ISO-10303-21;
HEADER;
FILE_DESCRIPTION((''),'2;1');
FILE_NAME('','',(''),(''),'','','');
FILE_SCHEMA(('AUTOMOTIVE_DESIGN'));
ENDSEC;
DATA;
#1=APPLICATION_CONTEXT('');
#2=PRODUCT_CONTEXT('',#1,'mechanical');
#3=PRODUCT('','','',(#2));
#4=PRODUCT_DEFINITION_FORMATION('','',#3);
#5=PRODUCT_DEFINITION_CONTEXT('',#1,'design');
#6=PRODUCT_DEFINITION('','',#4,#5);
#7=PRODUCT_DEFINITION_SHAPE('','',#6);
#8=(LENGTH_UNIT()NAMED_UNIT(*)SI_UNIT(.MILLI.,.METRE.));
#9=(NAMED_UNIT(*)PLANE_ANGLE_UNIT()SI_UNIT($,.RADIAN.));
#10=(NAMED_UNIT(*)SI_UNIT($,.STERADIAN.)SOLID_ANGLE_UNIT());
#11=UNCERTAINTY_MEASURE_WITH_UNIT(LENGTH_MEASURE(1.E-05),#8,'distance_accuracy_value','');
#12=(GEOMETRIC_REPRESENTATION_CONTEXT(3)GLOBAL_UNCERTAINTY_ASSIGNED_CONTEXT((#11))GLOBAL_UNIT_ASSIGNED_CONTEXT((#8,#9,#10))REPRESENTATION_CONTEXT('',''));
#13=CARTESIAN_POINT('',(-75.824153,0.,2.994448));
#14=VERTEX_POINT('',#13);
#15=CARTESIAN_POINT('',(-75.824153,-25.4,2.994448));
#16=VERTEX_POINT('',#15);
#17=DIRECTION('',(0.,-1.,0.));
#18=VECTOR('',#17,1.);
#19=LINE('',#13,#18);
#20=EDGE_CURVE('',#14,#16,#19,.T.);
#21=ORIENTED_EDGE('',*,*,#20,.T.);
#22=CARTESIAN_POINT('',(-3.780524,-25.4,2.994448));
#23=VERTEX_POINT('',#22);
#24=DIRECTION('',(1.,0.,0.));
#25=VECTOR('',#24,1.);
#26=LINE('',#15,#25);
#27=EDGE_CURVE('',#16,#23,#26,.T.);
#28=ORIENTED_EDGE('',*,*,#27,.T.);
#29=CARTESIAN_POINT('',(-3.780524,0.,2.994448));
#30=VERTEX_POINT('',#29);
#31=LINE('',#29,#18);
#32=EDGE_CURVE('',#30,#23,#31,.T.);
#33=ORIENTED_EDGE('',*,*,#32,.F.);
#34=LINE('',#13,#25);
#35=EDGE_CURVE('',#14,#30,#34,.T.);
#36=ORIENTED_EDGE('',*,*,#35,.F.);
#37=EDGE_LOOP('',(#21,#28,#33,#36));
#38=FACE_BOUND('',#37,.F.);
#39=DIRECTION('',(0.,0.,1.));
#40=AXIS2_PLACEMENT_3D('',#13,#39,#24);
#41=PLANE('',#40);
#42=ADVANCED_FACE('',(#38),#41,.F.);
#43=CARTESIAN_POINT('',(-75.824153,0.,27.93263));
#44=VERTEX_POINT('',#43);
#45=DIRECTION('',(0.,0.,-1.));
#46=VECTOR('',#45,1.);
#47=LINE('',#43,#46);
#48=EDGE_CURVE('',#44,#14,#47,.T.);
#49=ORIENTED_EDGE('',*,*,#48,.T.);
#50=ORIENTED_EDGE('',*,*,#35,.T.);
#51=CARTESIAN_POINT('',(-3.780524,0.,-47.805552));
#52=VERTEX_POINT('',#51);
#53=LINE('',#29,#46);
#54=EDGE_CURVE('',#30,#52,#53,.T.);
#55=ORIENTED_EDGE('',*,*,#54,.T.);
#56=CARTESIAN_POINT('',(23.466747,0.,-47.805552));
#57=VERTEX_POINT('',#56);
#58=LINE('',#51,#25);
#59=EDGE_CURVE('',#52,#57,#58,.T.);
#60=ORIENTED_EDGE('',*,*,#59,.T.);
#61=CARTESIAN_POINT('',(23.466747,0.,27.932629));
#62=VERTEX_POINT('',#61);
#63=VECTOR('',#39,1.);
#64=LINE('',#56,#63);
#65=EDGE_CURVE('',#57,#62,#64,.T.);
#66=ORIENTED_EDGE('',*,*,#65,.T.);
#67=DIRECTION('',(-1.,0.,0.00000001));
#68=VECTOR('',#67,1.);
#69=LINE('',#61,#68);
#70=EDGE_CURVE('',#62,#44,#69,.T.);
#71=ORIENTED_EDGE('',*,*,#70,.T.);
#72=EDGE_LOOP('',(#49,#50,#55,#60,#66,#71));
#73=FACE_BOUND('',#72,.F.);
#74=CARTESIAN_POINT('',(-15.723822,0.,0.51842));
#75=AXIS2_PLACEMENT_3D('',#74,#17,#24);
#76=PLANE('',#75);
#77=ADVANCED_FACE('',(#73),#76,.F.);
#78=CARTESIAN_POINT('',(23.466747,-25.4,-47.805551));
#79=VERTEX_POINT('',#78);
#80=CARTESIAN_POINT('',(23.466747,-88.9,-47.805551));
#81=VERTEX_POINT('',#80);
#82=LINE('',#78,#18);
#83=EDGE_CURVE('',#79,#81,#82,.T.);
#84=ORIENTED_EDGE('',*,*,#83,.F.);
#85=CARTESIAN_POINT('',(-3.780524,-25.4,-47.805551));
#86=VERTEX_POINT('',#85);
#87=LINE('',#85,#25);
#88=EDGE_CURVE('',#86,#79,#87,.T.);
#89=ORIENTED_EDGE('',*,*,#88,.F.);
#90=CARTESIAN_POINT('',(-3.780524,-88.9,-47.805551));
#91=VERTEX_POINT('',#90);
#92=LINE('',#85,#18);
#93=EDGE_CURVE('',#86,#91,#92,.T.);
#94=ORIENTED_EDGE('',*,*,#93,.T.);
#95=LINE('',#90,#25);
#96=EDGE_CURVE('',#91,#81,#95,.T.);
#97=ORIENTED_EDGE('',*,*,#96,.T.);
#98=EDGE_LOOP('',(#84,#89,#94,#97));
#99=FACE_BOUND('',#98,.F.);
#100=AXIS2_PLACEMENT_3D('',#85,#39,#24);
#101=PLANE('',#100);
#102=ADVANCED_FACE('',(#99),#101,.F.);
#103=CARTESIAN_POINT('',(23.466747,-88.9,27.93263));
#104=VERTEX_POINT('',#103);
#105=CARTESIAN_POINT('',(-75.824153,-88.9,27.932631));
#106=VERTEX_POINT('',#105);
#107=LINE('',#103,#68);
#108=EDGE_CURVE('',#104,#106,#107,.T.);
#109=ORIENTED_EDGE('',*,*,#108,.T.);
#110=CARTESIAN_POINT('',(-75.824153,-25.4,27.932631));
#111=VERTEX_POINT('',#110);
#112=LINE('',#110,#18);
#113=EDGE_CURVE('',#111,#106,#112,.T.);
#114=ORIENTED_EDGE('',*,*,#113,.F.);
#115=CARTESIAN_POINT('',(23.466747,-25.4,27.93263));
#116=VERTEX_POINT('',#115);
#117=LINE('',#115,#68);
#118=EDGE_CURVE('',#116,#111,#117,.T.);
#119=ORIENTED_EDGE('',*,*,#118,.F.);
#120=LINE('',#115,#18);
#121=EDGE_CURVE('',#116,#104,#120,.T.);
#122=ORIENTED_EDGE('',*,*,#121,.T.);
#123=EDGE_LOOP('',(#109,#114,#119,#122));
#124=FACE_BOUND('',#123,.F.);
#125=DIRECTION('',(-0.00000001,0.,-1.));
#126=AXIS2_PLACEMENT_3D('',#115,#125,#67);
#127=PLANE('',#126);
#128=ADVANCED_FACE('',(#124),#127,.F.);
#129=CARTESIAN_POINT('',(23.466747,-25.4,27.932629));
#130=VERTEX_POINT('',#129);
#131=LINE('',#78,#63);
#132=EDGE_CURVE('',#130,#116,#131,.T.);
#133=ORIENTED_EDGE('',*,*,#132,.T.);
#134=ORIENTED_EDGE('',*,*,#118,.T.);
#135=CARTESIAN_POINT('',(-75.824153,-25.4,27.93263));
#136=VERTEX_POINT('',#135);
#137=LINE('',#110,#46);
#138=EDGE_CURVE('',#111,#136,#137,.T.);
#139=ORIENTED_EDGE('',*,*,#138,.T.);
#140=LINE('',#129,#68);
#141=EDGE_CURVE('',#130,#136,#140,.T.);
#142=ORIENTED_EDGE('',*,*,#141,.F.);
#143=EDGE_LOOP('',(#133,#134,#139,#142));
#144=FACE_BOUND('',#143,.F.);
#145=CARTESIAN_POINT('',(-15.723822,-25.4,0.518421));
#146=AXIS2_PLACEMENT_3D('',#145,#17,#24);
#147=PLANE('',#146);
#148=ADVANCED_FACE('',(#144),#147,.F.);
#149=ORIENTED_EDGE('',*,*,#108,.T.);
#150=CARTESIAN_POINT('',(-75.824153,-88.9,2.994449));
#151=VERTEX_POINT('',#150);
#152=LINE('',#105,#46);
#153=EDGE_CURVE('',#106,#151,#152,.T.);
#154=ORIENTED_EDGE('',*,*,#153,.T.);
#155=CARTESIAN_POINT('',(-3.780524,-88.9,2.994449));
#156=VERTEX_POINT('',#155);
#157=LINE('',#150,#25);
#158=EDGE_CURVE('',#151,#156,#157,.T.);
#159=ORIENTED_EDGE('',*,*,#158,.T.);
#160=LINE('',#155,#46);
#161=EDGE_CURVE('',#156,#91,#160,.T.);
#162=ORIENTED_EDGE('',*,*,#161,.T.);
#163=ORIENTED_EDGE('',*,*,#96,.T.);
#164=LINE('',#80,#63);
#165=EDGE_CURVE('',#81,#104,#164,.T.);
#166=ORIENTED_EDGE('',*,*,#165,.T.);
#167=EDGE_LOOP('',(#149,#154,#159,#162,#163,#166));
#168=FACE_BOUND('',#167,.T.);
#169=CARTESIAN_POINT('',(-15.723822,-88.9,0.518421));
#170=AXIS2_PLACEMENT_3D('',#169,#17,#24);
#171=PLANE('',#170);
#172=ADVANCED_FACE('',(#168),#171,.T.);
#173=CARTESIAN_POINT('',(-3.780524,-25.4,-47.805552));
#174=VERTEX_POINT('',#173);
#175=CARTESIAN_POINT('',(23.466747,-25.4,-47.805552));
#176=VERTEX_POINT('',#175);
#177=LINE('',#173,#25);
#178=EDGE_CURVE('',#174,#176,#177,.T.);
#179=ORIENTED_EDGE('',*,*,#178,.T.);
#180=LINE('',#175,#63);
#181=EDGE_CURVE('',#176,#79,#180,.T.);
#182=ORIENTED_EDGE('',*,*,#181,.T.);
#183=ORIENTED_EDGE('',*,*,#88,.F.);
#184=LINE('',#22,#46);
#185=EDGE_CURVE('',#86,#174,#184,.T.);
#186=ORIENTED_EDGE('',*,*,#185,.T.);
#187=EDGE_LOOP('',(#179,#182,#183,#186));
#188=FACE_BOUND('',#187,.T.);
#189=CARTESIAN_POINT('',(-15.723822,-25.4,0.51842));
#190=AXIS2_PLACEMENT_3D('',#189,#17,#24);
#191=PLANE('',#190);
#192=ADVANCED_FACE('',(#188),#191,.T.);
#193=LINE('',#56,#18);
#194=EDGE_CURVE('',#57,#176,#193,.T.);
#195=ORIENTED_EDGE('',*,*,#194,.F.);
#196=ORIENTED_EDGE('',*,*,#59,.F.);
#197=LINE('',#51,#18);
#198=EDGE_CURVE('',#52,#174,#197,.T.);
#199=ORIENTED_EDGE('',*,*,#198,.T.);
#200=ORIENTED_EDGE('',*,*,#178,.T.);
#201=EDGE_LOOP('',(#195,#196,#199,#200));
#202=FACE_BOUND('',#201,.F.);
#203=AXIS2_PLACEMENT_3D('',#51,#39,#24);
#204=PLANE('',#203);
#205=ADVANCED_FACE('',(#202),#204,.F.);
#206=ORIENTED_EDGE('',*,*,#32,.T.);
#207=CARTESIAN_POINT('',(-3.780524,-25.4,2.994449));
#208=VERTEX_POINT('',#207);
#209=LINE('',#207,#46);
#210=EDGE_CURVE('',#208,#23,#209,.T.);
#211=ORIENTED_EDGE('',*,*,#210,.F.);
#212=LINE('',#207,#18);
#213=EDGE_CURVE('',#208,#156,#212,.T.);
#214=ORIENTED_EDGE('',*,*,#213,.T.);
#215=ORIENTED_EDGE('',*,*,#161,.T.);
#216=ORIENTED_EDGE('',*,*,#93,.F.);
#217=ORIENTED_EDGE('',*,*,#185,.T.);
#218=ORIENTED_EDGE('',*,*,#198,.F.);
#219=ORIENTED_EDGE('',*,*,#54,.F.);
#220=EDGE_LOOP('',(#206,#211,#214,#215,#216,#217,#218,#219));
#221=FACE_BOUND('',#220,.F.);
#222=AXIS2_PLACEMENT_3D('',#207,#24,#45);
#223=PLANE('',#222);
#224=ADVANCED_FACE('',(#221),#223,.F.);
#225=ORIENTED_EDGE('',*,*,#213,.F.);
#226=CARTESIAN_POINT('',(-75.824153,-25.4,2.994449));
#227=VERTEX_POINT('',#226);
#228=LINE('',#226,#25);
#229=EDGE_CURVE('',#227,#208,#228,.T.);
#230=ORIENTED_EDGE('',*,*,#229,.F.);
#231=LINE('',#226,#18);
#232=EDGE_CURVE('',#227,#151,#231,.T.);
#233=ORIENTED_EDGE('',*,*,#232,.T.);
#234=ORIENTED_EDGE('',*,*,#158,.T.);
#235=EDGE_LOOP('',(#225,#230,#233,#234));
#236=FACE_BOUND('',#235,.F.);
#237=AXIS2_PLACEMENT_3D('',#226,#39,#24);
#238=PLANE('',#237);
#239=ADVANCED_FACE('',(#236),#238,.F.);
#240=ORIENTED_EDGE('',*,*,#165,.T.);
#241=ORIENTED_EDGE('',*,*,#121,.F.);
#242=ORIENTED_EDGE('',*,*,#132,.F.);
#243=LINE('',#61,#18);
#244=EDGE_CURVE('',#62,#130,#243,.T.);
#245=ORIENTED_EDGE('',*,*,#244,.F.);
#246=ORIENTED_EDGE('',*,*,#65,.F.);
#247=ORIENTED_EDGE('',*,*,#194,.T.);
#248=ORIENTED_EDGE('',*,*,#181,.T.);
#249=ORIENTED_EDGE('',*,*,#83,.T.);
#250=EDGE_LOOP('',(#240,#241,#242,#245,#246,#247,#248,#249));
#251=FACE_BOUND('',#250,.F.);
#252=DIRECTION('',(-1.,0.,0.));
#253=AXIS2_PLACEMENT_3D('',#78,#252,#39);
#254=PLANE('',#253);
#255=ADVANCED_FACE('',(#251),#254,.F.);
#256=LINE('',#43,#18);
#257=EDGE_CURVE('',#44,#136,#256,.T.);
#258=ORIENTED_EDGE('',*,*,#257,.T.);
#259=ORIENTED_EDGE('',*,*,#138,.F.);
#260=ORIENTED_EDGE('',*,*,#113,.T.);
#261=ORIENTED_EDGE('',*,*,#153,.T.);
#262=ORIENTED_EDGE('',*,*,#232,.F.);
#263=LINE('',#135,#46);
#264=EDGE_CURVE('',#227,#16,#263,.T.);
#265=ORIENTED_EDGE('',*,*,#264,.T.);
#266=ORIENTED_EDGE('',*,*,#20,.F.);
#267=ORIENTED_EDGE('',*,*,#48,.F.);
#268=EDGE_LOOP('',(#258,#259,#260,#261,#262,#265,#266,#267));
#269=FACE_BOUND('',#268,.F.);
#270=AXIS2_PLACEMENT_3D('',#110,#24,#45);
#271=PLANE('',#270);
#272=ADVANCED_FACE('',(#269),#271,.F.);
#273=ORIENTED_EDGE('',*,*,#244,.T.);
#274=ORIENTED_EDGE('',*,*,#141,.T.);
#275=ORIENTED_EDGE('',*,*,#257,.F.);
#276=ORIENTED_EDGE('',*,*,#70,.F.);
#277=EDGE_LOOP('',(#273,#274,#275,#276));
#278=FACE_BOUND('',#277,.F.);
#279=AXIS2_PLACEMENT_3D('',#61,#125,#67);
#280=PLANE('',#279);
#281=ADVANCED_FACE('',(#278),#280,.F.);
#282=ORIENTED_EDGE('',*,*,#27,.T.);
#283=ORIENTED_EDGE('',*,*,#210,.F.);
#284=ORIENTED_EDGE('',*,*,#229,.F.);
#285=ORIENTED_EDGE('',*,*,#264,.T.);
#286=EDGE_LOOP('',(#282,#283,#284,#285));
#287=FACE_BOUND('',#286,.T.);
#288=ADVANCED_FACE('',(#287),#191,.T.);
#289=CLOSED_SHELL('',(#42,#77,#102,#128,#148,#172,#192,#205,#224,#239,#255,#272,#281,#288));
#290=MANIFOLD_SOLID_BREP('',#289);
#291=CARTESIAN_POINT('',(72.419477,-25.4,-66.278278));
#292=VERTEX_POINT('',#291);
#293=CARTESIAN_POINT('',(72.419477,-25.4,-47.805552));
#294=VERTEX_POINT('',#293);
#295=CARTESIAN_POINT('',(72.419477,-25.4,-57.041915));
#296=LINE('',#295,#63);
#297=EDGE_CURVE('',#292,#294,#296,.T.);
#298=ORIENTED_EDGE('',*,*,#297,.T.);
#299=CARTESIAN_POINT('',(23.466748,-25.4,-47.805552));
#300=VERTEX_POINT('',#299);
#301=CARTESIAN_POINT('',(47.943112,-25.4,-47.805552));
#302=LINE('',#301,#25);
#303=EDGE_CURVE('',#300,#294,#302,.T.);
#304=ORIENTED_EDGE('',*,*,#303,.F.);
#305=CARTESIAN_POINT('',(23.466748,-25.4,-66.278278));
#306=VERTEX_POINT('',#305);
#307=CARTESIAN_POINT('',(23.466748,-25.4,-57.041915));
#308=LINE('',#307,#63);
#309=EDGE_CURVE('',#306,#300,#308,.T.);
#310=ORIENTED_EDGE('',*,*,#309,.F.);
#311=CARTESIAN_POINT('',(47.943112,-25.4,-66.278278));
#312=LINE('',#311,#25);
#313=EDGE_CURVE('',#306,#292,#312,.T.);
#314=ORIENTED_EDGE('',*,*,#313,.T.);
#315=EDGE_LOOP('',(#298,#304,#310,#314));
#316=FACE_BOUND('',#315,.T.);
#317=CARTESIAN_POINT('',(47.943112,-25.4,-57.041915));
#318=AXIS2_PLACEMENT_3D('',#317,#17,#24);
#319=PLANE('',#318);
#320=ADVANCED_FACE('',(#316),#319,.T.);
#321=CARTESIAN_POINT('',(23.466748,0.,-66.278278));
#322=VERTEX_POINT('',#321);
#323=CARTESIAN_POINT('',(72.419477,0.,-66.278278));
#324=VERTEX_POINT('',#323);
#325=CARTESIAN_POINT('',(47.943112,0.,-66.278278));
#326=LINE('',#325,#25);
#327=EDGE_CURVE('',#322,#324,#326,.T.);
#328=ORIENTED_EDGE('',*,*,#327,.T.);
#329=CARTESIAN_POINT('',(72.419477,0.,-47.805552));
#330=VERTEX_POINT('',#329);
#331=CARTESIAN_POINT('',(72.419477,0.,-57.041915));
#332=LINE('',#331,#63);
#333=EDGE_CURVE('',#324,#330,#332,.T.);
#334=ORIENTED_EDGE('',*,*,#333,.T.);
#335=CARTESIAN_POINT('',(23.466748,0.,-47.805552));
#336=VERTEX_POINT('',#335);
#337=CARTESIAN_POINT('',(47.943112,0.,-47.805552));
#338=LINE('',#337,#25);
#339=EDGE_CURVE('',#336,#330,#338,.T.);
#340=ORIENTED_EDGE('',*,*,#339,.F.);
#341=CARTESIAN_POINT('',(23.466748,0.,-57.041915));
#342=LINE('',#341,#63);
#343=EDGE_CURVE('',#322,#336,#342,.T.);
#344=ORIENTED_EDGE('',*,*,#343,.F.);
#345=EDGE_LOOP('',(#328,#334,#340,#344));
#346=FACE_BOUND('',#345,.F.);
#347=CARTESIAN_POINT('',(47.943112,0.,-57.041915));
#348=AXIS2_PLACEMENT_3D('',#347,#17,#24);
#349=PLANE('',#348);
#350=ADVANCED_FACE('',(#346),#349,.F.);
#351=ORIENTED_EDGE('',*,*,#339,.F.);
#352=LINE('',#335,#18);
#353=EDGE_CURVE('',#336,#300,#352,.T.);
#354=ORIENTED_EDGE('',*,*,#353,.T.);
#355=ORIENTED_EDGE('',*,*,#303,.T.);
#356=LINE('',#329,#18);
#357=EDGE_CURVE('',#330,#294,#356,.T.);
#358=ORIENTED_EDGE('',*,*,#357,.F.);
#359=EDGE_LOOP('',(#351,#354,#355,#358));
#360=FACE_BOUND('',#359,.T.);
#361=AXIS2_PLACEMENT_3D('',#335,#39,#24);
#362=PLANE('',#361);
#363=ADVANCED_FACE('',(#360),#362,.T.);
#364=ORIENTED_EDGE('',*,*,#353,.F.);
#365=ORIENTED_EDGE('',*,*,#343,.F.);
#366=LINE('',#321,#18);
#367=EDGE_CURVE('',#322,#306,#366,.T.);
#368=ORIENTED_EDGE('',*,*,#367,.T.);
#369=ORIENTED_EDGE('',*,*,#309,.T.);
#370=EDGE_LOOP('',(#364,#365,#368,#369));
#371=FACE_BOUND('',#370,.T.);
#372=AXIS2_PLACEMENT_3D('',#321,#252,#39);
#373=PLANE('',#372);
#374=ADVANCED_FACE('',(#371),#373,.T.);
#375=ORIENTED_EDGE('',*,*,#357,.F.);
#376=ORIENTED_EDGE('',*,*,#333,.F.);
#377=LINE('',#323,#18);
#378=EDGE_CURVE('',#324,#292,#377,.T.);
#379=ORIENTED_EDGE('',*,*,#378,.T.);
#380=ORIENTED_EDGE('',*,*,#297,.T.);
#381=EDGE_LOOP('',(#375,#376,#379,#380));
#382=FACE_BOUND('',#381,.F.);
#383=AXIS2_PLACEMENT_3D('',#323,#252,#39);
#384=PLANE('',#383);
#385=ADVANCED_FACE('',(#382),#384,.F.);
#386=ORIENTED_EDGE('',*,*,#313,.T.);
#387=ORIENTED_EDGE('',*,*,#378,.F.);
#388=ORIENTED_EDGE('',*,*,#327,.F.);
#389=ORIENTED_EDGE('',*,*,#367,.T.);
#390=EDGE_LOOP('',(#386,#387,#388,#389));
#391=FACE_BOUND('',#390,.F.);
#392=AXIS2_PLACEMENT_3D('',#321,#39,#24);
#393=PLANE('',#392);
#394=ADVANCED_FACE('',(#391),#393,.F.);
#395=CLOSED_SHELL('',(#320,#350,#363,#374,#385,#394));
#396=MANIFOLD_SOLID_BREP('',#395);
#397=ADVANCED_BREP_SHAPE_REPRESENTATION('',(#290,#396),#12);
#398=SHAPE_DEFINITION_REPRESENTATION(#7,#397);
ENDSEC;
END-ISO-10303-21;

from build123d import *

# Parameters (mm, degrees)
F0_W     = 48.952729
F0_H     = 18.472726
F1_DEPTH = 25.4
F2_DEPTH = 63.5


with BuildPart() as f1:
    # F0 (on Front) → F1 (new body)
    with BuildSketch(Plane.XZ):
        Polygon((23.466747, 27.932629), (-75.824153, 27.93263), (-75.824153, 2.994448), (-3.780524, 2.994448), (-3.780524, -47.805552), (23.466747, -47.805552), align=None)
        with Locations((47.943112, -57.041915)):
            Rectangle(F0_W, F0_H)
    extrude(amount=F1_DEPTH)

    # F1_face (on face) → F2 (join)
    with BuildSketch(Plane(origin=(-13.262594, -25.4, 1.885064), x_dir=(1, 0, 0), z_dir=(0, -1, 0))):
        Polygon((36.729341, 26.047566), (-62.561559, 26.047567), (-62.561559, 1.109385), (9.48207, 1.109385), (9.48207, -49.690615), (36.729341, -49.690615), align=None)
    extrude(amount=F2_DEPTH)


solid = f1.part
